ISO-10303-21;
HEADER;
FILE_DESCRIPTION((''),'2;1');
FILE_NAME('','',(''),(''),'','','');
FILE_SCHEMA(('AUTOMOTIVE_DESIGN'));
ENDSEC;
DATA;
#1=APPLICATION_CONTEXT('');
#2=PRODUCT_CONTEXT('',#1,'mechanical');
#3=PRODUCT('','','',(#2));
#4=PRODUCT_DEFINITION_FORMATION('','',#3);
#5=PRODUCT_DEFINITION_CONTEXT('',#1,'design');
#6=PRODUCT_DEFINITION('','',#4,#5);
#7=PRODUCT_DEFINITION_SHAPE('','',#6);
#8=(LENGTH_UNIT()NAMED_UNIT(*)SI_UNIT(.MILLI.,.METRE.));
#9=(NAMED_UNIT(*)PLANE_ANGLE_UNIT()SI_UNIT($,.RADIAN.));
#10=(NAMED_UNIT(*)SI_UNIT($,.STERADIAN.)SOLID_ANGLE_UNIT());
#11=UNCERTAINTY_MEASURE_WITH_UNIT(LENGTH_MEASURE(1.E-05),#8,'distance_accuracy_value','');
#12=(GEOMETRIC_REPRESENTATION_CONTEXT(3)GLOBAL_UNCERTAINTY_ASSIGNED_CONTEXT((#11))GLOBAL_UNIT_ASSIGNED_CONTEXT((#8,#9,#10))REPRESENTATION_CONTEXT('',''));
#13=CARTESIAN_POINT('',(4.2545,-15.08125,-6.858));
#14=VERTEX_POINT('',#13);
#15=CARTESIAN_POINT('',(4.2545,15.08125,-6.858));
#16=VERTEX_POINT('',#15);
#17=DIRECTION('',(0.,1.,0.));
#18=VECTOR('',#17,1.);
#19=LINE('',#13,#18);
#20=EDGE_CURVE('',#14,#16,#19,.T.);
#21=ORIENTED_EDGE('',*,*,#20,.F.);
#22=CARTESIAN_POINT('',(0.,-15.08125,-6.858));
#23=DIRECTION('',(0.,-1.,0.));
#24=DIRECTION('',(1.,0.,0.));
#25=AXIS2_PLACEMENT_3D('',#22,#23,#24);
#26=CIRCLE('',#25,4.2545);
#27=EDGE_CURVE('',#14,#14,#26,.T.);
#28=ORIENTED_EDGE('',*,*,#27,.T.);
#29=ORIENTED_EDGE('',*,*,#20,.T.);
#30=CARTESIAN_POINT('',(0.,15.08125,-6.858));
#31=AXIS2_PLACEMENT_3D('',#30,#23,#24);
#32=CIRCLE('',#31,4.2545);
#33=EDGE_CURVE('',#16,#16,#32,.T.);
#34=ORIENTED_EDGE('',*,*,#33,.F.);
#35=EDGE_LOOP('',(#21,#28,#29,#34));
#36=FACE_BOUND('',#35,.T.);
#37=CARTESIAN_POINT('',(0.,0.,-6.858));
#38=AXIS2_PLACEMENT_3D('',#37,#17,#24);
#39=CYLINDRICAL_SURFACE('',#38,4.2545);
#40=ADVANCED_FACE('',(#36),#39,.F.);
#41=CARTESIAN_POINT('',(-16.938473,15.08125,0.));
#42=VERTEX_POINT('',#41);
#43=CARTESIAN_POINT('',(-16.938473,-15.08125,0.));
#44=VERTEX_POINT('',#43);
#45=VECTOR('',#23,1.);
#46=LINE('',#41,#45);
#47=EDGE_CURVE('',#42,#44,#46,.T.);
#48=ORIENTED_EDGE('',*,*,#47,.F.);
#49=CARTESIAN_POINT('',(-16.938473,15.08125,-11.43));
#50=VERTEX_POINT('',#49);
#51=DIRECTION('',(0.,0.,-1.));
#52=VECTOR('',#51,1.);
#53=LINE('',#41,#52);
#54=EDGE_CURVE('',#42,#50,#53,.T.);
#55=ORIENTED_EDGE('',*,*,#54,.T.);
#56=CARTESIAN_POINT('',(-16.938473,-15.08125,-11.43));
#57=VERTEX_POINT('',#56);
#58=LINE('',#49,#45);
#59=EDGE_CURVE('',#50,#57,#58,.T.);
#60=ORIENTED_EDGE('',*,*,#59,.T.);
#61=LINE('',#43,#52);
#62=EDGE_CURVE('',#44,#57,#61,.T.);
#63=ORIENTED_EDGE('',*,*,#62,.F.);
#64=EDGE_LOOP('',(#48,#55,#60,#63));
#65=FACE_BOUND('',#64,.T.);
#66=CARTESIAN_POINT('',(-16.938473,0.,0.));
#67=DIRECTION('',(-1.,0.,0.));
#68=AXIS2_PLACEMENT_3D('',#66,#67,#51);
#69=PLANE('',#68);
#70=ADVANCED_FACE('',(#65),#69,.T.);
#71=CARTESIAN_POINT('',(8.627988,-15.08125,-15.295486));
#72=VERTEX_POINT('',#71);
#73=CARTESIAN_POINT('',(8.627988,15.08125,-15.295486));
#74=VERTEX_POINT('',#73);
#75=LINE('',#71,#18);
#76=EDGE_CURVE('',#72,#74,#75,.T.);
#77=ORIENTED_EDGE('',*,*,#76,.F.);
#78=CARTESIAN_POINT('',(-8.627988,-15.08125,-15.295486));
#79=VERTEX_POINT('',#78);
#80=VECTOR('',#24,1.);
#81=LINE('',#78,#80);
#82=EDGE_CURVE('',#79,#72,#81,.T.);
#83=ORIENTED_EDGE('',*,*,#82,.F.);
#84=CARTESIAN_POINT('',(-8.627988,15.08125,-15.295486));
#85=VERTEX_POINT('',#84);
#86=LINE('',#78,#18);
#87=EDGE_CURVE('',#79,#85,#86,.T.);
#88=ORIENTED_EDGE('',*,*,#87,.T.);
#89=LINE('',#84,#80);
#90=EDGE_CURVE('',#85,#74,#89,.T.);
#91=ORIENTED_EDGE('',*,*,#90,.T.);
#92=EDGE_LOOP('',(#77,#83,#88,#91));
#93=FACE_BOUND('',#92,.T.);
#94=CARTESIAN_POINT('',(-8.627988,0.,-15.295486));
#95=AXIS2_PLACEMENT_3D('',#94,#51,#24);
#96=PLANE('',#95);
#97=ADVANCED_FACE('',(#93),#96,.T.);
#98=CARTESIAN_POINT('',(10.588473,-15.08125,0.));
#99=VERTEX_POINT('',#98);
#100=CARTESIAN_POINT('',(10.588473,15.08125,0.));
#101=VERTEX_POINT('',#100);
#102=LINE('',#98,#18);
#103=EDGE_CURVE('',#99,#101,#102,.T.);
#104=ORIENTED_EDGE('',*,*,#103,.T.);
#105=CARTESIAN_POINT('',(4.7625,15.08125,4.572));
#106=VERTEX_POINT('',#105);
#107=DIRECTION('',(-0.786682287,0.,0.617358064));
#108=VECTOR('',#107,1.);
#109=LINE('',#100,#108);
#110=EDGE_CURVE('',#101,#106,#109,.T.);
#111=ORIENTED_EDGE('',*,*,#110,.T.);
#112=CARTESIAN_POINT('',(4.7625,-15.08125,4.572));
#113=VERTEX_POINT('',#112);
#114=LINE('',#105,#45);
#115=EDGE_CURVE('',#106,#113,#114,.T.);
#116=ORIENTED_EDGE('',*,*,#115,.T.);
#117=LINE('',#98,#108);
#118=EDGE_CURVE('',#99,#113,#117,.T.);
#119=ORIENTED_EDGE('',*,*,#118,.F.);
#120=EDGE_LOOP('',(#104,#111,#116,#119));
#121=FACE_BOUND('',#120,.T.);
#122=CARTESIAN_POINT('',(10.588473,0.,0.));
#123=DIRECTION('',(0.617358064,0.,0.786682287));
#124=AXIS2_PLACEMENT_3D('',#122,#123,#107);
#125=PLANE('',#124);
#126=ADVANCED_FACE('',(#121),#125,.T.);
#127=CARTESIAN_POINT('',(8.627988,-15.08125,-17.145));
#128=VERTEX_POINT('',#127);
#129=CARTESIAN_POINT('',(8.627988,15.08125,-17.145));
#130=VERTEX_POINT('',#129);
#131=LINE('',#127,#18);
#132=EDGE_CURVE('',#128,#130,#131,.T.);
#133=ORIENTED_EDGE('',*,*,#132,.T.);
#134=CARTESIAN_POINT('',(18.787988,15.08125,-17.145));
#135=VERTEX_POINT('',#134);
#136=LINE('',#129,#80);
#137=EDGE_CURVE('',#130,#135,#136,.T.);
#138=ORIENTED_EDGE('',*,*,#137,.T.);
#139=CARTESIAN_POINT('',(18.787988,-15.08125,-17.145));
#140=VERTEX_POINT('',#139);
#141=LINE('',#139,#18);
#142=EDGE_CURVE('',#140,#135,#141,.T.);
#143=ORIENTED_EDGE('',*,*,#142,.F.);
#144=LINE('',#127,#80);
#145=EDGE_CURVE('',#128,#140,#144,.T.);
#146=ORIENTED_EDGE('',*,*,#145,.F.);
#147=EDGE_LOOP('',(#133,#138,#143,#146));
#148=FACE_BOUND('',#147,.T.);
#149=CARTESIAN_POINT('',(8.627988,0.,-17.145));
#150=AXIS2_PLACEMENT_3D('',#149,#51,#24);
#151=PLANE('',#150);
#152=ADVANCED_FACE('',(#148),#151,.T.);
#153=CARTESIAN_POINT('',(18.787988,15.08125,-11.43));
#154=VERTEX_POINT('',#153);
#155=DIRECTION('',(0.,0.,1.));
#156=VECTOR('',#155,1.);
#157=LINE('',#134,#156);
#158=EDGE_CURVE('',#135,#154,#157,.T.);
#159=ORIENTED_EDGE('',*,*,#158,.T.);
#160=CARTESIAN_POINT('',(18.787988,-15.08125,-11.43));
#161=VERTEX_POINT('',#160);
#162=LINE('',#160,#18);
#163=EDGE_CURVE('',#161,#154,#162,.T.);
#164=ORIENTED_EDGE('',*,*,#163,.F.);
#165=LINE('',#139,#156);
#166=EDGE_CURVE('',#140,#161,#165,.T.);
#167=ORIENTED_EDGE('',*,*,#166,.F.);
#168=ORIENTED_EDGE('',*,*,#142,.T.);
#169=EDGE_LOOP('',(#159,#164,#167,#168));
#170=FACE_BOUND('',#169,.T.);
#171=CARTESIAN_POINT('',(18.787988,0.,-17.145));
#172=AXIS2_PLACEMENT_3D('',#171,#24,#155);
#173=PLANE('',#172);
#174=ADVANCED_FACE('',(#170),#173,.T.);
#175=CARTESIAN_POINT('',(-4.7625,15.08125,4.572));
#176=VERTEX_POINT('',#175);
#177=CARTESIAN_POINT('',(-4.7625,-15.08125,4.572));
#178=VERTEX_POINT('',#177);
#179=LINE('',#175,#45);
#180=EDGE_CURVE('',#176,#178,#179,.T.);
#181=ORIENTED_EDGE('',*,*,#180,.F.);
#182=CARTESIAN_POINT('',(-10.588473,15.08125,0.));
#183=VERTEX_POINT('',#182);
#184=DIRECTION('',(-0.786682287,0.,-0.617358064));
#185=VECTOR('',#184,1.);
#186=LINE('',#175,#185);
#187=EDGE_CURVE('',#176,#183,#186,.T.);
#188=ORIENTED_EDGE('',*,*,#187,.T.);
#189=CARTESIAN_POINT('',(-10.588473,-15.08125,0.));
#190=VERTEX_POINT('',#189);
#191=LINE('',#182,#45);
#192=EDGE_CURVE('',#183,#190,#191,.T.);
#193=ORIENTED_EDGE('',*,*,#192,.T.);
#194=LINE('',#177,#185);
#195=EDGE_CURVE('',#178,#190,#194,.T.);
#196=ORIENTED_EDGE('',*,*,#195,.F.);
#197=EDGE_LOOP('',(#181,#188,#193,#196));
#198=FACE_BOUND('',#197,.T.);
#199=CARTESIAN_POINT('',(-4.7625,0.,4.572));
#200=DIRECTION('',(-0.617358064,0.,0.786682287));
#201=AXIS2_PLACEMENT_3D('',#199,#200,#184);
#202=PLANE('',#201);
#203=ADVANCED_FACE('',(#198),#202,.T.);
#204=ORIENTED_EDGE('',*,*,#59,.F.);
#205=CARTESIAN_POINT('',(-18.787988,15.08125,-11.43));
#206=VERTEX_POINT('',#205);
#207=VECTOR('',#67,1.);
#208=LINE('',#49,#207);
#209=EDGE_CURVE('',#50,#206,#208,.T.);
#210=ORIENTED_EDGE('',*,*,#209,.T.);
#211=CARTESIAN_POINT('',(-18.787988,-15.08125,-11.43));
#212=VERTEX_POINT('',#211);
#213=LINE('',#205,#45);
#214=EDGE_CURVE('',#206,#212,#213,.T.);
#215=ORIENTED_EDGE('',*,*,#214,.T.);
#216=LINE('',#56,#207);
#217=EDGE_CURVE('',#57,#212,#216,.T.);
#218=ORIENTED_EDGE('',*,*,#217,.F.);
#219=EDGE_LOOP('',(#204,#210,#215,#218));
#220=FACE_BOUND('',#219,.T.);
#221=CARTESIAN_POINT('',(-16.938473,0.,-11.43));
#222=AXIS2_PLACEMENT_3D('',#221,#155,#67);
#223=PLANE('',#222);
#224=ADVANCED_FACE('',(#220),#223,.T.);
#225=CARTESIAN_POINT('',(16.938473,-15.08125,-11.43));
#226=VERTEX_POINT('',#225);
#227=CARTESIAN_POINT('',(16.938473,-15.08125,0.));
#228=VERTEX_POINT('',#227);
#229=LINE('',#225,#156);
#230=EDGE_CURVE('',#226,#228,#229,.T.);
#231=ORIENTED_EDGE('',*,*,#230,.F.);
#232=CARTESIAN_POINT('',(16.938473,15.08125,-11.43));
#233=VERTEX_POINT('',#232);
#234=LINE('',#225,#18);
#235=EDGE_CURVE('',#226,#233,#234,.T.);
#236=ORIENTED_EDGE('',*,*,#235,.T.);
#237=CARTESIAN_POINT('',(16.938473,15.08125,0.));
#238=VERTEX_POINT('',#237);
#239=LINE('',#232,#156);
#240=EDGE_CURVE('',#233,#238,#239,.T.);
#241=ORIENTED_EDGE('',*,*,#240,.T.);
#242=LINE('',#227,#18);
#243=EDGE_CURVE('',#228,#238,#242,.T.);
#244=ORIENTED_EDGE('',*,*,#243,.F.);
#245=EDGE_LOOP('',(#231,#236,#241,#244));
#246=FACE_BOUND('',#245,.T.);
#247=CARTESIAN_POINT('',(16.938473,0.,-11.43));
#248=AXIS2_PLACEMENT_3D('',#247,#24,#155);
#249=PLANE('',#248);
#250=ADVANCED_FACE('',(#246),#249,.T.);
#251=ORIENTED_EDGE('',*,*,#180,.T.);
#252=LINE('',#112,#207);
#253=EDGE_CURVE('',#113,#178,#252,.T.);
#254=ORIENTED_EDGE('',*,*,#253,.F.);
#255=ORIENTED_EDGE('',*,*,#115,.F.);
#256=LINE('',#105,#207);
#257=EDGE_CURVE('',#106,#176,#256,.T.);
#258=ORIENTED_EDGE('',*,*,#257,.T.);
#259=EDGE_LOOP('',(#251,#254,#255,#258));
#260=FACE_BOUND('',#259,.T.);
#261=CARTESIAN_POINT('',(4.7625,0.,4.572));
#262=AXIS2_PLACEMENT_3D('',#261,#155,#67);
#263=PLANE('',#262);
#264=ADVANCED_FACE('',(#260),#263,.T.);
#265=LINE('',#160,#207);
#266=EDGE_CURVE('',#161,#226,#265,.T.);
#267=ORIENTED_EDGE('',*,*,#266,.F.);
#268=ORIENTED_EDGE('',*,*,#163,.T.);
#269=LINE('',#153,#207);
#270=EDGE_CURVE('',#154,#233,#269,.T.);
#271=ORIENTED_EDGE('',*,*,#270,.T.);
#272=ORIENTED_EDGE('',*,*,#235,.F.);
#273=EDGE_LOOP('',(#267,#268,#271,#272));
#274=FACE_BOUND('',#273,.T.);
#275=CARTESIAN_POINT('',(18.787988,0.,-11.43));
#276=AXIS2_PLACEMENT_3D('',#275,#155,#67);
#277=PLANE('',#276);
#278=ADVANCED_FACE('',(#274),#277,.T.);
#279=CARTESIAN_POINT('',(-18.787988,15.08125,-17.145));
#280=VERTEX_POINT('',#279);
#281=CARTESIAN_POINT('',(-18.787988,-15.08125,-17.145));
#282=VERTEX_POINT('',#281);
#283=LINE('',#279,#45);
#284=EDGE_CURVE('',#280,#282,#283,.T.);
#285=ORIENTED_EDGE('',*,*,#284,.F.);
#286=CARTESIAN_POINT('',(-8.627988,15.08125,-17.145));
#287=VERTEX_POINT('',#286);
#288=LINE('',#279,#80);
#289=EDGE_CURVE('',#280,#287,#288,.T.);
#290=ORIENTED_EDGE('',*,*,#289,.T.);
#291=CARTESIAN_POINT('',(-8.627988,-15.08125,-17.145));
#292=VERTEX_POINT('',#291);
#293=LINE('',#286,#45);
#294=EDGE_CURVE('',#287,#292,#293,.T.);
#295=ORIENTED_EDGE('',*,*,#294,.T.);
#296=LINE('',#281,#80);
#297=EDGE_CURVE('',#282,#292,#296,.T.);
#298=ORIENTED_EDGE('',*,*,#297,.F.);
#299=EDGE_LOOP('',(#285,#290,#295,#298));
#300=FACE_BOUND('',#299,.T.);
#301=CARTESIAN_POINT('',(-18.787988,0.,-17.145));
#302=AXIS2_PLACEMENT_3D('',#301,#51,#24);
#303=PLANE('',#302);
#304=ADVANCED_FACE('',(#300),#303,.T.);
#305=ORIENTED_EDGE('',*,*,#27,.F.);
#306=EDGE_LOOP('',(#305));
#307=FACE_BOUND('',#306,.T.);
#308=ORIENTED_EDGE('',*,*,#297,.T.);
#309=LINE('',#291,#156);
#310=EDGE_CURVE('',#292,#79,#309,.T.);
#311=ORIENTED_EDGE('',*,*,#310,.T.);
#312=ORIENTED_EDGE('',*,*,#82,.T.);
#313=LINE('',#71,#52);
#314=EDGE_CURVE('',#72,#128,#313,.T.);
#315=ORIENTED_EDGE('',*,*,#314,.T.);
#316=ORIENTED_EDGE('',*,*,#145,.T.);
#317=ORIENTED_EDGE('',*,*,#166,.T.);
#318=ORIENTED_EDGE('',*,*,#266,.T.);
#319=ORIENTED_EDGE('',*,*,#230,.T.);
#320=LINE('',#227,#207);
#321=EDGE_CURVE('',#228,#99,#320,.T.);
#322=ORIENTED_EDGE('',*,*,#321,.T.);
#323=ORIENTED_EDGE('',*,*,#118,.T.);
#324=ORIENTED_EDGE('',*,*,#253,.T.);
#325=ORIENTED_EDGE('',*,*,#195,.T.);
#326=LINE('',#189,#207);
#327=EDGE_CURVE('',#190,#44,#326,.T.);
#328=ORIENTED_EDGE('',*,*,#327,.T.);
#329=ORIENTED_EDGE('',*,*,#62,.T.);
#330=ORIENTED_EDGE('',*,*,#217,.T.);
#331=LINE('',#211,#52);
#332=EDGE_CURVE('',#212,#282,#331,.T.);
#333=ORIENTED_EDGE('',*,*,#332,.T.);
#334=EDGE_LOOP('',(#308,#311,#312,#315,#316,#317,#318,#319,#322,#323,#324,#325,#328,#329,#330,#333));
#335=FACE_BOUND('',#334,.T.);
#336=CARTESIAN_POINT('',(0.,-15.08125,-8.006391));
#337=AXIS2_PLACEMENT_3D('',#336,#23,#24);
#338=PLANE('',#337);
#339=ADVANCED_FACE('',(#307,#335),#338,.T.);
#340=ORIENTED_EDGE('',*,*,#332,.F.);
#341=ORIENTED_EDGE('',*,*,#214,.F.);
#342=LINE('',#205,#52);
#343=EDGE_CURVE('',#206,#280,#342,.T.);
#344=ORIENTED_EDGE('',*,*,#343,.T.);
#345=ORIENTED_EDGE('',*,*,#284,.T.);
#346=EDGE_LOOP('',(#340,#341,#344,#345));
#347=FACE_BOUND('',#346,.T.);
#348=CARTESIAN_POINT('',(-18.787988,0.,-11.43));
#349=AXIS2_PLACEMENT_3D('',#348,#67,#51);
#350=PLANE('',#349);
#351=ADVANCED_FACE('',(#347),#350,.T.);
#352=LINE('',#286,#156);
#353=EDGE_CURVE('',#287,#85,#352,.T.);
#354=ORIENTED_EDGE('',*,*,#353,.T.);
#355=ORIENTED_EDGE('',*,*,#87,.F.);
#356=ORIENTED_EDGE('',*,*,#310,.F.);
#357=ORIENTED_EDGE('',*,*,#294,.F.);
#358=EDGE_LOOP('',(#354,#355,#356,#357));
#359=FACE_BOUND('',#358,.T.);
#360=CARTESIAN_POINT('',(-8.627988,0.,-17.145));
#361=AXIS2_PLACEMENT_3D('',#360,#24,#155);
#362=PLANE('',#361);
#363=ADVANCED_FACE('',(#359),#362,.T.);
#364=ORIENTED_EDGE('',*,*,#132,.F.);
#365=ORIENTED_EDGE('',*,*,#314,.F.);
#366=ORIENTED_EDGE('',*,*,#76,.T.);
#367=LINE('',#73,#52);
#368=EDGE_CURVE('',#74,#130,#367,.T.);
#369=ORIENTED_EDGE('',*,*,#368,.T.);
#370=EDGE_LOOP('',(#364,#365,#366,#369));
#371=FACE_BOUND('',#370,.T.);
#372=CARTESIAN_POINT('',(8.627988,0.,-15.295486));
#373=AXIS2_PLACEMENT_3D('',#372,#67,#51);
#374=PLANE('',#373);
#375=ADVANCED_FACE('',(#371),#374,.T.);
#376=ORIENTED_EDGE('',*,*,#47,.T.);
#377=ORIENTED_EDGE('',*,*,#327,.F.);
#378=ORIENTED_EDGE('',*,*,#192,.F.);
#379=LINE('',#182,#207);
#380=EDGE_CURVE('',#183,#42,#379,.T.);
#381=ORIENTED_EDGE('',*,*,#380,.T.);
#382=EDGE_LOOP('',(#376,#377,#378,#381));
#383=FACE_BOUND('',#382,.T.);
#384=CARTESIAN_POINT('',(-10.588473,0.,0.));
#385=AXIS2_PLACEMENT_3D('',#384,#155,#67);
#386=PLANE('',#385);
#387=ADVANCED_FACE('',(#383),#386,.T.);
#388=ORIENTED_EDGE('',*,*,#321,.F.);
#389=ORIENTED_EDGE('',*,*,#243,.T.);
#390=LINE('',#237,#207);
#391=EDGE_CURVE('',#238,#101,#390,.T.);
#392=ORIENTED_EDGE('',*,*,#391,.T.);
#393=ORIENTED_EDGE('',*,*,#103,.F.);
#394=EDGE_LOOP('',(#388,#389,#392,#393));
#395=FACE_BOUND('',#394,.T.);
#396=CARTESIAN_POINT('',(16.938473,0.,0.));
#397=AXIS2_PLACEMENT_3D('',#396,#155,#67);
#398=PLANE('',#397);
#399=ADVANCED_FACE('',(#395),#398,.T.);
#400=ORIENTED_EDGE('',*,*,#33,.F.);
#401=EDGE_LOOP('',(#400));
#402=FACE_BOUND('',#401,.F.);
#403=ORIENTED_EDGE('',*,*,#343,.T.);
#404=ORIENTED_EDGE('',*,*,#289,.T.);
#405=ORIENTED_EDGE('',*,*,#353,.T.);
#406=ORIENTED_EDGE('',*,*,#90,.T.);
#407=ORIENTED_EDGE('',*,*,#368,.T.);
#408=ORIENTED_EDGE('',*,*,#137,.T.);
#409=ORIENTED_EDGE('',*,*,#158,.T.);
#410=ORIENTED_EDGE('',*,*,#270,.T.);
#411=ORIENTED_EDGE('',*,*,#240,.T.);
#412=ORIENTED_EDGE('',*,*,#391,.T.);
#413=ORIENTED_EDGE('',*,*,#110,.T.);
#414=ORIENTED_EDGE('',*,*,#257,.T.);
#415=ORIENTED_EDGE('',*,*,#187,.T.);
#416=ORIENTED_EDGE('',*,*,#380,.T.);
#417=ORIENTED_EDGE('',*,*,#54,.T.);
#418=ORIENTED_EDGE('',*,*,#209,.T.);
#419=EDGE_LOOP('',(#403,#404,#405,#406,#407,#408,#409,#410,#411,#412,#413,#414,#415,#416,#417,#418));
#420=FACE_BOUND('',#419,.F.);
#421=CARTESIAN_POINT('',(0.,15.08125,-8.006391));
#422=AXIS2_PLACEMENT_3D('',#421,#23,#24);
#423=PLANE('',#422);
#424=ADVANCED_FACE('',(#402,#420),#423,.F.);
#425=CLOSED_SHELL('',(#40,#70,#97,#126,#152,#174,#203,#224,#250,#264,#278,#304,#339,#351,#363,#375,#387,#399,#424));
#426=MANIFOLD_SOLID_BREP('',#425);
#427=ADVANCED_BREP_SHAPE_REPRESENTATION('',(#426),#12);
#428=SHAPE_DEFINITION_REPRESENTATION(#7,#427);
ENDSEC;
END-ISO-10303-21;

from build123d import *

# Parameters (mm, degrees)
F0_R     = 4.2545
F1_DEPTH = 15.08125


with BuildPart() as f1:
    # F0 (on Front) → F1 (new body, symmetric)
    with BuildSketch(Plane.XZ):
        Polygon((10.588473, 0), (4.7625, 4.572), (0, 4.572), (-4.7625, 4.572), (-10.588473, 0), (-16.938473, 0), (-16.938473, -11.43), (-18.787988, -11.43), (-18.787988, -17.145), (-8.627988, -17.145), (-8.627988, -15.295486), (0, -15.295486), (8.627988, -15.295486), (8.627988, -17.145), (18.787988, -17.145), (18.787988, -11.43), (16.938473, -11.43), (16.938473, 0), align=None)
        with Locations((0, -6.858)):
            Circle(F0_R, mode=Mode.SUBTRACT)
    extrude(amount=F1_DEPTH, both=True)


solid = f1.part
